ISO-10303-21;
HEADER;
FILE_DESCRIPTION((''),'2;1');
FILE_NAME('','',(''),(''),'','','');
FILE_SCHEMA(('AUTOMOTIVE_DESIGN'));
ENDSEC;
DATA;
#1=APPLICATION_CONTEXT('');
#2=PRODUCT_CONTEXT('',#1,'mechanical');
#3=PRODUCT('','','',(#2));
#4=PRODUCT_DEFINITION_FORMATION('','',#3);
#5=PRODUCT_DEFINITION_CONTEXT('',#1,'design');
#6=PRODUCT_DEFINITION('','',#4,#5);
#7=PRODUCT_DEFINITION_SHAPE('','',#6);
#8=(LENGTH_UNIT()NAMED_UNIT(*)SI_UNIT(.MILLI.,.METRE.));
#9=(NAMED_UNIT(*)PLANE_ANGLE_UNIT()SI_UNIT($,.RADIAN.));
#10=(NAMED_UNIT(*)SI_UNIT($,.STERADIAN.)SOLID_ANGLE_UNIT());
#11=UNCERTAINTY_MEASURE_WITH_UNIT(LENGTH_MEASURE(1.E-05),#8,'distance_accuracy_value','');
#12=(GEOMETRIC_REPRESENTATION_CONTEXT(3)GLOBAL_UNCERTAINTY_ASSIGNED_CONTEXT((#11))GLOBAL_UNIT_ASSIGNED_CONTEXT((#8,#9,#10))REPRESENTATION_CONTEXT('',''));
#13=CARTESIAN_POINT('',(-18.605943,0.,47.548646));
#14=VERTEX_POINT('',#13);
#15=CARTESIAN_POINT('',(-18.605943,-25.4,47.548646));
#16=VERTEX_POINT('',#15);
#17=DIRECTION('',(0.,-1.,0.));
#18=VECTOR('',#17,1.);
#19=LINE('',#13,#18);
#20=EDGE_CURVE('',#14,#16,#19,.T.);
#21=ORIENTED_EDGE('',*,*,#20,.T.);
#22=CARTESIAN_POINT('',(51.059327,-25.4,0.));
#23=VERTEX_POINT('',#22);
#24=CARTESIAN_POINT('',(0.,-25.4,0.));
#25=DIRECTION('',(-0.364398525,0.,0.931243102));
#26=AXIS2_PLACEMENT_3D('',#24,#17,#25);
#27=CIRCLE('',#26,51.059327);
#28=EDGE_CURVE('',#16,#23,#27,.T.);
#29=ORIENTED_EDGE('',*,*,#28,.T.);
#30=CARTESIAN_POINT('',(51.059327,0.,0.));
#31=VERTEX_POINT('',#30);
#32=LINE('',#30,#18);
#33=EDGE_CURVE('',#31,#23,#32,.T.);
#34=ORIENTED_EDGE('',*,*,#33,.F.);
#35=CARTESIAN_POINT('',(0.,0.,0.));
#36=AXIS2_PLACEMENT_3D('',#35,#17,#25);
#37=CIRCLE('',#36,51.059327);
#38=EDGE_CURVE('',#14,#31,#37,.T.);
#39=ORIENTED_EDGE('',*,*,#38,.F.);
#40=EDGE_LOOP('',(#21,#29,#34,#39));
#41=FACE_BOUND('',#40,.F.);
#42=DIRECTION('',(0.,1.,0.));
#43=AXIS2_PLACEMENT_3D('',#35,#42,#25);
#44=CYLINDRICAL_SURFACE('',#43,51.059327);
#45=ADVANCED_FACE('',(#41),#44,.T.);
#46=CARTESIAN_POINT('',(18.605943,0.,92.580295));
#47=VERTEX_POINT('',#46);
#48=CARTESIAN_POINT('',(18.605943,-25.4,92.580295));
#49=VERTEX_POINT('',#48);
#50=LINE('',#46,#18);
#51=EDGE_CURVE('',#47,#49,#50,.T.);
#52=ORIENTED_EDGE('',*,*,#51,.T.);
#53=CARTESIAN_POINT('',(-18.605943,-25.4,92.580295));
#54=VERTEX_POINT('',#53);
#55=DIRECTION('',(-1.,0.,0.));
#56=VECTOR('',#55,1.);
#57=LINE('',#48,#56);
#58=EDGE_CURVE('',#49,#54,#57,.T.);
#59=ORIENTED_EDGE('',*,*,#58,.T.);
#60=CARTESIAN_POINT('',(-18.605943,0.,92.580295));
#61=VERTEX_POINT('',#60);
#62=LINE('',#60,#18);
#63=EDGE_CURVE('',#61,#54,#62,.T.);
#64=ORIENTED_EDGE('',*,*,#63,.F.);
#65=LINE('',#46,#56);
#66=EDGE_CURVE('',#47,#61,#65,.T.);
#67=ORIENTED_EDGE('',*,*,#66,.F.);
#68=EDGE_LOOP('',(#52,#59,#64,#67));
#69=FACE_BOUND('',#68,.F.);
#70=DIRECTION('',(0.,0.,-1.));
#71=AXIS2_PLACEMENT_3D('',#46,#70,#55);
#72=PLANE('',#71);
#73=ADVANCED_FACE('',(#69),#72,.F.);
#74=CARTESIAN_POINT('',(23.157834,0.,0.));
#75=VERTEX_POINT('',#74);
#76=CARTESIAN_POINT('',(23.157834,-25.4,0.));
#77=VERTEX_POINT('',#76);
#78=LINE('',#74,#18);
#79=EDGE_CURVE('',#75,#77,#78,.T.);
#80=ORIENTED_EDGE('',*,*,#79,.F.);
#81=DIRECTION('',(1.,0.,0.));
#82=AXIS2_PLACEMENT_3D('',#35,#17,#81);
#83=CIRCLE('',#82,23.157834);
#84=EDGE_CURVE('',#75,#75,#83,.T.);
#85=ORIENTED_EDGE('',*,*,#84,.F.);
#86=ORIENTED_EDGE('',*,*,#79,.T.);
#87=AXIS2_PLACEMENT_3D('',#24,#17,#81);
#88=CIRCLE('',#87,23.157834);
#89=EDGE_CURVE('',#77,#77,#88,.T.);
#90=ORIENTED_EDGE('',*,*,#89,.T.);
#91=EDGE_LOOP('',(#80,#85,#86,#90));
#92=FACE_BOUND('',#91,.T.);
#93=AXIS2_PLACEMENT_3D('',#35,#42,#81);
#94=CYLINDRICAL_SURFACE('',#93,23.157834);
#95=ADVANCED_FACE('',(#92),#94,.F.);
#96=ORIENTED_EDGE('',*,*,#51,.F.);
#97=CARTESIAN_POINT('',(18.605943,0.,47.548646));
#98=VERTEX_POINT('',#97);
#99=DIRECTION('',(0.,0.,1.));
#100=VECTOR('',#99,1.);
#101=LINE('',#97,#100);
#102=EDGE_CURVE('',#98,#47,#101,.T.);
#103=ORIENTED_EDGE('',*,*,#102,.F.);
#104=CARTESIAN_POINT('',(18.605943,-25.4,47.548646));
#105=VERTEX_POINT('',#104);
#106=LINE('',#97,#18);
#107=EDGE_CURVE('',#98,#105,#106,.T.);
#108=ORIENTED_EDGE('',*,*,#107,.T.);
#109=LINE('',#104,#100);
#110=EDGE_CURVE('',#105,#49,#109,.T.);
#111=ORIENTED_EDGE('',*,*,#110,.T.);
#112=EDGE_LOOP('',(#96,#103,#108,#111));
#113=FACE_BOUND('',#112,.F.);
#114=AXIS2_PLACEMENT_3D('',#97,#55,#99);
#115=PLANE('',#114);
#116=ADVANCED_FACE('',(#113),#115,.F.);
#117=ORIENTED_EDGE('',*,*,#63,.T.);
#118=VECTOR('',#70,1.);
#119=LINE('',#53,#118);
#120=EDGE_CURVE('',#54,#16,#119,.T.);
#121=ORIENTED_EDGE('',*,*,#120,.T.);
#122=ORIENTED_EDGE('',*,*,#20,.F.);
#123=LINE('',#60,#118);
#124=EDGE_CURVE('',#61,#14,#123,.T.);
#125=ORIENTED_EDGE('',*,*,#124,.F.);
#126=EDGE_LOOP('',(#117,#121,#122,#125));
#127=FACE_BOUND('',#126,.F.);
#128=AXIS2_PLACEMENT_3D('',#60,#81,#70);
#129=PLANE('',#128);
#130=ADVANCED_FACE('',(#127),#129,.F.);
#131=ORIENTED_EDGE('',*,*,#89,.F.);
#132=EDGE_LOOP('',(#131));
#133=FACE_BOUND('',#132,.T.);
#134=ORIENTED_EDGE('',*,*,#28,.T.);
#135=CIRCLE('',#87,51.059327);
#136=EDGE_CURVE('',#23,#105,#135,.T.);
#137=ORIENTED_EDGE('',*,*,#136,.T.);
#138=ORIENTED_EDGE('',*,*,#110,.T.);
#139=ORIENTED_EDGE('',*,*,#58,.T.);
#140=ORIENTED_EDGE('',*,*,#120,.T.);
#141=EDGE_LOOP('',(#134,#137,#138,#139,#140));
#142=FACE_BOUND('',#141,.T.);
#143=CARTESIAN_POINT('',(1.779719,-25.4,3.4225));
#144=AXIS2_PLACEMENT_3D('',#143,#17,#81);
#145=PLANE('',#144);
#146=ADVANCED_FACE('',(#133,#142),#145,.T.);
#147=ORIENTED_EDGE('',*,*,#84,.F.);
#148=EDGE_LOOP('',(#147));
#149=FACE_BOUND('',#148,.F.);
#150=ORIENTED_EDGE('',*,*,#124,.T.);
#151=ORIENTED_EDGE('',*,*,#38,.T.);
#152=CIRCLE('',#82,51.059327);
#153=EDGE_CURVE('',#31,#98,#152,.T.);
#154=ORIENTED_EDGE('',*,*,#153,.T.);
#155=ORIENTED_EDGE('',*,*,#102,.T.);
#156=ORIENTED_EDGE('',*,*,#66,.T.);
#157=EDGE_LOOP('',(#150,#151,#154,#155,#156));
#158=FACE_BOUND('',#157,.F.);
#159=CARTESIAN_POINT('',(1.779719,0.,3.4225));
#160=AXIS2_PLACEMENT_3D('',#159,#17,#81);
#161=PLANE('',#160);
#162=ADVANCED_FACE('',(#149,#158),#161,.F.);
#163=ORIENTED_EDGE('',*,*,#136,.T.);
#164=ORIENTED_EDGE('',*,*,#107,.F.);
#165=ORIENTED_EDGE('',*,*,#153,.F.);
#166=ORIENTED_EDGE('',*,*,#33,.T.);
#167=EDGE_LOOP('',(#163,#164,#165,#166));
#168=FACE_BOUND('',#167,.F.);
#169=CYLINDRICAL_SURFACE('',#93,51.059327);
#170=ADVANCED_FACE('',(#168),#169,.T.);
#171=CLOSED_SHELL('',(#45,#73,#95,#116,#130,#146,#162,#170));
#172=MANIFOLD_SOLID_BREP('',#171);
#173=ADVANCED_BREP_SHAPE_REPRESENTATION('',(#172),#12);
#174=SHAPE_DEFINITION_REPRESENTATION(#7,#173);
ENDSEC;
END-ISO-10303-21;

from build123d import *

# Parameters (mm, degrees)
F0_R     = 23.1578344668
F1_DEPTH = 25.4


with BuildPart() as f1:
    # F0 (on Front) → F1 (new body)
    with BuildSketch(Plane.XZ):
        with BuildLine():
            ThreePointArc((-18.6059433036, 47.5486456469), (-28.7840919078, -42.1726319087), (51.059326563, 0))
            ThreePointArc((51.059326563, 0), (42.1726319087, 28.7840919078), (18.6059433036, 47.5486456469))
            Line((18.6059433036, 47.5486456469), (18.6059433036, 40.709229527))
            Line((18.6059433036, 40.709229527), (-18.6059433036, 40.709229527))
            Line((-18.6059433036, 40.709229527), (-18.6059433036, 47.5486456469))
        make_face()
        Circle(F0_R, mode=Mode.SUBTRACT)
        with BuildLine():
            Line((18.6059433036, 40.709229527), (18.6059433036, 47.5486456469))
            ThreePointArc((18.6059433036, 47.5486456469), (0, 51.059326563), (-18.6059433036, 47.5486456469))
            Line((-18.6059433036, 47.5486456469), (-18.6059433036, 40.709229527))
            Line((-18.6059433036, 40.709229527), (18.6059433036, 40.709229527))
        make_face()
        with BuildLine():
            ThreePointArc((-18.6059433036, 47.5486456469), (0, 51.059326563), (18.6059433036, 47.5486456469))
            Line((18.6059433036, 47.5486456469), (18.6059433036, 92.5802945773))
            Line((18.6059433036, 92.5802945773), (-18.6059433036, 92.5802945773))
            Line((-18.6059433036, 92.5802945773), (-18.6059433036, 47.5486456469))
        make_face()
    extrude(amount=F1_DEPTH)


solid = f1.part
